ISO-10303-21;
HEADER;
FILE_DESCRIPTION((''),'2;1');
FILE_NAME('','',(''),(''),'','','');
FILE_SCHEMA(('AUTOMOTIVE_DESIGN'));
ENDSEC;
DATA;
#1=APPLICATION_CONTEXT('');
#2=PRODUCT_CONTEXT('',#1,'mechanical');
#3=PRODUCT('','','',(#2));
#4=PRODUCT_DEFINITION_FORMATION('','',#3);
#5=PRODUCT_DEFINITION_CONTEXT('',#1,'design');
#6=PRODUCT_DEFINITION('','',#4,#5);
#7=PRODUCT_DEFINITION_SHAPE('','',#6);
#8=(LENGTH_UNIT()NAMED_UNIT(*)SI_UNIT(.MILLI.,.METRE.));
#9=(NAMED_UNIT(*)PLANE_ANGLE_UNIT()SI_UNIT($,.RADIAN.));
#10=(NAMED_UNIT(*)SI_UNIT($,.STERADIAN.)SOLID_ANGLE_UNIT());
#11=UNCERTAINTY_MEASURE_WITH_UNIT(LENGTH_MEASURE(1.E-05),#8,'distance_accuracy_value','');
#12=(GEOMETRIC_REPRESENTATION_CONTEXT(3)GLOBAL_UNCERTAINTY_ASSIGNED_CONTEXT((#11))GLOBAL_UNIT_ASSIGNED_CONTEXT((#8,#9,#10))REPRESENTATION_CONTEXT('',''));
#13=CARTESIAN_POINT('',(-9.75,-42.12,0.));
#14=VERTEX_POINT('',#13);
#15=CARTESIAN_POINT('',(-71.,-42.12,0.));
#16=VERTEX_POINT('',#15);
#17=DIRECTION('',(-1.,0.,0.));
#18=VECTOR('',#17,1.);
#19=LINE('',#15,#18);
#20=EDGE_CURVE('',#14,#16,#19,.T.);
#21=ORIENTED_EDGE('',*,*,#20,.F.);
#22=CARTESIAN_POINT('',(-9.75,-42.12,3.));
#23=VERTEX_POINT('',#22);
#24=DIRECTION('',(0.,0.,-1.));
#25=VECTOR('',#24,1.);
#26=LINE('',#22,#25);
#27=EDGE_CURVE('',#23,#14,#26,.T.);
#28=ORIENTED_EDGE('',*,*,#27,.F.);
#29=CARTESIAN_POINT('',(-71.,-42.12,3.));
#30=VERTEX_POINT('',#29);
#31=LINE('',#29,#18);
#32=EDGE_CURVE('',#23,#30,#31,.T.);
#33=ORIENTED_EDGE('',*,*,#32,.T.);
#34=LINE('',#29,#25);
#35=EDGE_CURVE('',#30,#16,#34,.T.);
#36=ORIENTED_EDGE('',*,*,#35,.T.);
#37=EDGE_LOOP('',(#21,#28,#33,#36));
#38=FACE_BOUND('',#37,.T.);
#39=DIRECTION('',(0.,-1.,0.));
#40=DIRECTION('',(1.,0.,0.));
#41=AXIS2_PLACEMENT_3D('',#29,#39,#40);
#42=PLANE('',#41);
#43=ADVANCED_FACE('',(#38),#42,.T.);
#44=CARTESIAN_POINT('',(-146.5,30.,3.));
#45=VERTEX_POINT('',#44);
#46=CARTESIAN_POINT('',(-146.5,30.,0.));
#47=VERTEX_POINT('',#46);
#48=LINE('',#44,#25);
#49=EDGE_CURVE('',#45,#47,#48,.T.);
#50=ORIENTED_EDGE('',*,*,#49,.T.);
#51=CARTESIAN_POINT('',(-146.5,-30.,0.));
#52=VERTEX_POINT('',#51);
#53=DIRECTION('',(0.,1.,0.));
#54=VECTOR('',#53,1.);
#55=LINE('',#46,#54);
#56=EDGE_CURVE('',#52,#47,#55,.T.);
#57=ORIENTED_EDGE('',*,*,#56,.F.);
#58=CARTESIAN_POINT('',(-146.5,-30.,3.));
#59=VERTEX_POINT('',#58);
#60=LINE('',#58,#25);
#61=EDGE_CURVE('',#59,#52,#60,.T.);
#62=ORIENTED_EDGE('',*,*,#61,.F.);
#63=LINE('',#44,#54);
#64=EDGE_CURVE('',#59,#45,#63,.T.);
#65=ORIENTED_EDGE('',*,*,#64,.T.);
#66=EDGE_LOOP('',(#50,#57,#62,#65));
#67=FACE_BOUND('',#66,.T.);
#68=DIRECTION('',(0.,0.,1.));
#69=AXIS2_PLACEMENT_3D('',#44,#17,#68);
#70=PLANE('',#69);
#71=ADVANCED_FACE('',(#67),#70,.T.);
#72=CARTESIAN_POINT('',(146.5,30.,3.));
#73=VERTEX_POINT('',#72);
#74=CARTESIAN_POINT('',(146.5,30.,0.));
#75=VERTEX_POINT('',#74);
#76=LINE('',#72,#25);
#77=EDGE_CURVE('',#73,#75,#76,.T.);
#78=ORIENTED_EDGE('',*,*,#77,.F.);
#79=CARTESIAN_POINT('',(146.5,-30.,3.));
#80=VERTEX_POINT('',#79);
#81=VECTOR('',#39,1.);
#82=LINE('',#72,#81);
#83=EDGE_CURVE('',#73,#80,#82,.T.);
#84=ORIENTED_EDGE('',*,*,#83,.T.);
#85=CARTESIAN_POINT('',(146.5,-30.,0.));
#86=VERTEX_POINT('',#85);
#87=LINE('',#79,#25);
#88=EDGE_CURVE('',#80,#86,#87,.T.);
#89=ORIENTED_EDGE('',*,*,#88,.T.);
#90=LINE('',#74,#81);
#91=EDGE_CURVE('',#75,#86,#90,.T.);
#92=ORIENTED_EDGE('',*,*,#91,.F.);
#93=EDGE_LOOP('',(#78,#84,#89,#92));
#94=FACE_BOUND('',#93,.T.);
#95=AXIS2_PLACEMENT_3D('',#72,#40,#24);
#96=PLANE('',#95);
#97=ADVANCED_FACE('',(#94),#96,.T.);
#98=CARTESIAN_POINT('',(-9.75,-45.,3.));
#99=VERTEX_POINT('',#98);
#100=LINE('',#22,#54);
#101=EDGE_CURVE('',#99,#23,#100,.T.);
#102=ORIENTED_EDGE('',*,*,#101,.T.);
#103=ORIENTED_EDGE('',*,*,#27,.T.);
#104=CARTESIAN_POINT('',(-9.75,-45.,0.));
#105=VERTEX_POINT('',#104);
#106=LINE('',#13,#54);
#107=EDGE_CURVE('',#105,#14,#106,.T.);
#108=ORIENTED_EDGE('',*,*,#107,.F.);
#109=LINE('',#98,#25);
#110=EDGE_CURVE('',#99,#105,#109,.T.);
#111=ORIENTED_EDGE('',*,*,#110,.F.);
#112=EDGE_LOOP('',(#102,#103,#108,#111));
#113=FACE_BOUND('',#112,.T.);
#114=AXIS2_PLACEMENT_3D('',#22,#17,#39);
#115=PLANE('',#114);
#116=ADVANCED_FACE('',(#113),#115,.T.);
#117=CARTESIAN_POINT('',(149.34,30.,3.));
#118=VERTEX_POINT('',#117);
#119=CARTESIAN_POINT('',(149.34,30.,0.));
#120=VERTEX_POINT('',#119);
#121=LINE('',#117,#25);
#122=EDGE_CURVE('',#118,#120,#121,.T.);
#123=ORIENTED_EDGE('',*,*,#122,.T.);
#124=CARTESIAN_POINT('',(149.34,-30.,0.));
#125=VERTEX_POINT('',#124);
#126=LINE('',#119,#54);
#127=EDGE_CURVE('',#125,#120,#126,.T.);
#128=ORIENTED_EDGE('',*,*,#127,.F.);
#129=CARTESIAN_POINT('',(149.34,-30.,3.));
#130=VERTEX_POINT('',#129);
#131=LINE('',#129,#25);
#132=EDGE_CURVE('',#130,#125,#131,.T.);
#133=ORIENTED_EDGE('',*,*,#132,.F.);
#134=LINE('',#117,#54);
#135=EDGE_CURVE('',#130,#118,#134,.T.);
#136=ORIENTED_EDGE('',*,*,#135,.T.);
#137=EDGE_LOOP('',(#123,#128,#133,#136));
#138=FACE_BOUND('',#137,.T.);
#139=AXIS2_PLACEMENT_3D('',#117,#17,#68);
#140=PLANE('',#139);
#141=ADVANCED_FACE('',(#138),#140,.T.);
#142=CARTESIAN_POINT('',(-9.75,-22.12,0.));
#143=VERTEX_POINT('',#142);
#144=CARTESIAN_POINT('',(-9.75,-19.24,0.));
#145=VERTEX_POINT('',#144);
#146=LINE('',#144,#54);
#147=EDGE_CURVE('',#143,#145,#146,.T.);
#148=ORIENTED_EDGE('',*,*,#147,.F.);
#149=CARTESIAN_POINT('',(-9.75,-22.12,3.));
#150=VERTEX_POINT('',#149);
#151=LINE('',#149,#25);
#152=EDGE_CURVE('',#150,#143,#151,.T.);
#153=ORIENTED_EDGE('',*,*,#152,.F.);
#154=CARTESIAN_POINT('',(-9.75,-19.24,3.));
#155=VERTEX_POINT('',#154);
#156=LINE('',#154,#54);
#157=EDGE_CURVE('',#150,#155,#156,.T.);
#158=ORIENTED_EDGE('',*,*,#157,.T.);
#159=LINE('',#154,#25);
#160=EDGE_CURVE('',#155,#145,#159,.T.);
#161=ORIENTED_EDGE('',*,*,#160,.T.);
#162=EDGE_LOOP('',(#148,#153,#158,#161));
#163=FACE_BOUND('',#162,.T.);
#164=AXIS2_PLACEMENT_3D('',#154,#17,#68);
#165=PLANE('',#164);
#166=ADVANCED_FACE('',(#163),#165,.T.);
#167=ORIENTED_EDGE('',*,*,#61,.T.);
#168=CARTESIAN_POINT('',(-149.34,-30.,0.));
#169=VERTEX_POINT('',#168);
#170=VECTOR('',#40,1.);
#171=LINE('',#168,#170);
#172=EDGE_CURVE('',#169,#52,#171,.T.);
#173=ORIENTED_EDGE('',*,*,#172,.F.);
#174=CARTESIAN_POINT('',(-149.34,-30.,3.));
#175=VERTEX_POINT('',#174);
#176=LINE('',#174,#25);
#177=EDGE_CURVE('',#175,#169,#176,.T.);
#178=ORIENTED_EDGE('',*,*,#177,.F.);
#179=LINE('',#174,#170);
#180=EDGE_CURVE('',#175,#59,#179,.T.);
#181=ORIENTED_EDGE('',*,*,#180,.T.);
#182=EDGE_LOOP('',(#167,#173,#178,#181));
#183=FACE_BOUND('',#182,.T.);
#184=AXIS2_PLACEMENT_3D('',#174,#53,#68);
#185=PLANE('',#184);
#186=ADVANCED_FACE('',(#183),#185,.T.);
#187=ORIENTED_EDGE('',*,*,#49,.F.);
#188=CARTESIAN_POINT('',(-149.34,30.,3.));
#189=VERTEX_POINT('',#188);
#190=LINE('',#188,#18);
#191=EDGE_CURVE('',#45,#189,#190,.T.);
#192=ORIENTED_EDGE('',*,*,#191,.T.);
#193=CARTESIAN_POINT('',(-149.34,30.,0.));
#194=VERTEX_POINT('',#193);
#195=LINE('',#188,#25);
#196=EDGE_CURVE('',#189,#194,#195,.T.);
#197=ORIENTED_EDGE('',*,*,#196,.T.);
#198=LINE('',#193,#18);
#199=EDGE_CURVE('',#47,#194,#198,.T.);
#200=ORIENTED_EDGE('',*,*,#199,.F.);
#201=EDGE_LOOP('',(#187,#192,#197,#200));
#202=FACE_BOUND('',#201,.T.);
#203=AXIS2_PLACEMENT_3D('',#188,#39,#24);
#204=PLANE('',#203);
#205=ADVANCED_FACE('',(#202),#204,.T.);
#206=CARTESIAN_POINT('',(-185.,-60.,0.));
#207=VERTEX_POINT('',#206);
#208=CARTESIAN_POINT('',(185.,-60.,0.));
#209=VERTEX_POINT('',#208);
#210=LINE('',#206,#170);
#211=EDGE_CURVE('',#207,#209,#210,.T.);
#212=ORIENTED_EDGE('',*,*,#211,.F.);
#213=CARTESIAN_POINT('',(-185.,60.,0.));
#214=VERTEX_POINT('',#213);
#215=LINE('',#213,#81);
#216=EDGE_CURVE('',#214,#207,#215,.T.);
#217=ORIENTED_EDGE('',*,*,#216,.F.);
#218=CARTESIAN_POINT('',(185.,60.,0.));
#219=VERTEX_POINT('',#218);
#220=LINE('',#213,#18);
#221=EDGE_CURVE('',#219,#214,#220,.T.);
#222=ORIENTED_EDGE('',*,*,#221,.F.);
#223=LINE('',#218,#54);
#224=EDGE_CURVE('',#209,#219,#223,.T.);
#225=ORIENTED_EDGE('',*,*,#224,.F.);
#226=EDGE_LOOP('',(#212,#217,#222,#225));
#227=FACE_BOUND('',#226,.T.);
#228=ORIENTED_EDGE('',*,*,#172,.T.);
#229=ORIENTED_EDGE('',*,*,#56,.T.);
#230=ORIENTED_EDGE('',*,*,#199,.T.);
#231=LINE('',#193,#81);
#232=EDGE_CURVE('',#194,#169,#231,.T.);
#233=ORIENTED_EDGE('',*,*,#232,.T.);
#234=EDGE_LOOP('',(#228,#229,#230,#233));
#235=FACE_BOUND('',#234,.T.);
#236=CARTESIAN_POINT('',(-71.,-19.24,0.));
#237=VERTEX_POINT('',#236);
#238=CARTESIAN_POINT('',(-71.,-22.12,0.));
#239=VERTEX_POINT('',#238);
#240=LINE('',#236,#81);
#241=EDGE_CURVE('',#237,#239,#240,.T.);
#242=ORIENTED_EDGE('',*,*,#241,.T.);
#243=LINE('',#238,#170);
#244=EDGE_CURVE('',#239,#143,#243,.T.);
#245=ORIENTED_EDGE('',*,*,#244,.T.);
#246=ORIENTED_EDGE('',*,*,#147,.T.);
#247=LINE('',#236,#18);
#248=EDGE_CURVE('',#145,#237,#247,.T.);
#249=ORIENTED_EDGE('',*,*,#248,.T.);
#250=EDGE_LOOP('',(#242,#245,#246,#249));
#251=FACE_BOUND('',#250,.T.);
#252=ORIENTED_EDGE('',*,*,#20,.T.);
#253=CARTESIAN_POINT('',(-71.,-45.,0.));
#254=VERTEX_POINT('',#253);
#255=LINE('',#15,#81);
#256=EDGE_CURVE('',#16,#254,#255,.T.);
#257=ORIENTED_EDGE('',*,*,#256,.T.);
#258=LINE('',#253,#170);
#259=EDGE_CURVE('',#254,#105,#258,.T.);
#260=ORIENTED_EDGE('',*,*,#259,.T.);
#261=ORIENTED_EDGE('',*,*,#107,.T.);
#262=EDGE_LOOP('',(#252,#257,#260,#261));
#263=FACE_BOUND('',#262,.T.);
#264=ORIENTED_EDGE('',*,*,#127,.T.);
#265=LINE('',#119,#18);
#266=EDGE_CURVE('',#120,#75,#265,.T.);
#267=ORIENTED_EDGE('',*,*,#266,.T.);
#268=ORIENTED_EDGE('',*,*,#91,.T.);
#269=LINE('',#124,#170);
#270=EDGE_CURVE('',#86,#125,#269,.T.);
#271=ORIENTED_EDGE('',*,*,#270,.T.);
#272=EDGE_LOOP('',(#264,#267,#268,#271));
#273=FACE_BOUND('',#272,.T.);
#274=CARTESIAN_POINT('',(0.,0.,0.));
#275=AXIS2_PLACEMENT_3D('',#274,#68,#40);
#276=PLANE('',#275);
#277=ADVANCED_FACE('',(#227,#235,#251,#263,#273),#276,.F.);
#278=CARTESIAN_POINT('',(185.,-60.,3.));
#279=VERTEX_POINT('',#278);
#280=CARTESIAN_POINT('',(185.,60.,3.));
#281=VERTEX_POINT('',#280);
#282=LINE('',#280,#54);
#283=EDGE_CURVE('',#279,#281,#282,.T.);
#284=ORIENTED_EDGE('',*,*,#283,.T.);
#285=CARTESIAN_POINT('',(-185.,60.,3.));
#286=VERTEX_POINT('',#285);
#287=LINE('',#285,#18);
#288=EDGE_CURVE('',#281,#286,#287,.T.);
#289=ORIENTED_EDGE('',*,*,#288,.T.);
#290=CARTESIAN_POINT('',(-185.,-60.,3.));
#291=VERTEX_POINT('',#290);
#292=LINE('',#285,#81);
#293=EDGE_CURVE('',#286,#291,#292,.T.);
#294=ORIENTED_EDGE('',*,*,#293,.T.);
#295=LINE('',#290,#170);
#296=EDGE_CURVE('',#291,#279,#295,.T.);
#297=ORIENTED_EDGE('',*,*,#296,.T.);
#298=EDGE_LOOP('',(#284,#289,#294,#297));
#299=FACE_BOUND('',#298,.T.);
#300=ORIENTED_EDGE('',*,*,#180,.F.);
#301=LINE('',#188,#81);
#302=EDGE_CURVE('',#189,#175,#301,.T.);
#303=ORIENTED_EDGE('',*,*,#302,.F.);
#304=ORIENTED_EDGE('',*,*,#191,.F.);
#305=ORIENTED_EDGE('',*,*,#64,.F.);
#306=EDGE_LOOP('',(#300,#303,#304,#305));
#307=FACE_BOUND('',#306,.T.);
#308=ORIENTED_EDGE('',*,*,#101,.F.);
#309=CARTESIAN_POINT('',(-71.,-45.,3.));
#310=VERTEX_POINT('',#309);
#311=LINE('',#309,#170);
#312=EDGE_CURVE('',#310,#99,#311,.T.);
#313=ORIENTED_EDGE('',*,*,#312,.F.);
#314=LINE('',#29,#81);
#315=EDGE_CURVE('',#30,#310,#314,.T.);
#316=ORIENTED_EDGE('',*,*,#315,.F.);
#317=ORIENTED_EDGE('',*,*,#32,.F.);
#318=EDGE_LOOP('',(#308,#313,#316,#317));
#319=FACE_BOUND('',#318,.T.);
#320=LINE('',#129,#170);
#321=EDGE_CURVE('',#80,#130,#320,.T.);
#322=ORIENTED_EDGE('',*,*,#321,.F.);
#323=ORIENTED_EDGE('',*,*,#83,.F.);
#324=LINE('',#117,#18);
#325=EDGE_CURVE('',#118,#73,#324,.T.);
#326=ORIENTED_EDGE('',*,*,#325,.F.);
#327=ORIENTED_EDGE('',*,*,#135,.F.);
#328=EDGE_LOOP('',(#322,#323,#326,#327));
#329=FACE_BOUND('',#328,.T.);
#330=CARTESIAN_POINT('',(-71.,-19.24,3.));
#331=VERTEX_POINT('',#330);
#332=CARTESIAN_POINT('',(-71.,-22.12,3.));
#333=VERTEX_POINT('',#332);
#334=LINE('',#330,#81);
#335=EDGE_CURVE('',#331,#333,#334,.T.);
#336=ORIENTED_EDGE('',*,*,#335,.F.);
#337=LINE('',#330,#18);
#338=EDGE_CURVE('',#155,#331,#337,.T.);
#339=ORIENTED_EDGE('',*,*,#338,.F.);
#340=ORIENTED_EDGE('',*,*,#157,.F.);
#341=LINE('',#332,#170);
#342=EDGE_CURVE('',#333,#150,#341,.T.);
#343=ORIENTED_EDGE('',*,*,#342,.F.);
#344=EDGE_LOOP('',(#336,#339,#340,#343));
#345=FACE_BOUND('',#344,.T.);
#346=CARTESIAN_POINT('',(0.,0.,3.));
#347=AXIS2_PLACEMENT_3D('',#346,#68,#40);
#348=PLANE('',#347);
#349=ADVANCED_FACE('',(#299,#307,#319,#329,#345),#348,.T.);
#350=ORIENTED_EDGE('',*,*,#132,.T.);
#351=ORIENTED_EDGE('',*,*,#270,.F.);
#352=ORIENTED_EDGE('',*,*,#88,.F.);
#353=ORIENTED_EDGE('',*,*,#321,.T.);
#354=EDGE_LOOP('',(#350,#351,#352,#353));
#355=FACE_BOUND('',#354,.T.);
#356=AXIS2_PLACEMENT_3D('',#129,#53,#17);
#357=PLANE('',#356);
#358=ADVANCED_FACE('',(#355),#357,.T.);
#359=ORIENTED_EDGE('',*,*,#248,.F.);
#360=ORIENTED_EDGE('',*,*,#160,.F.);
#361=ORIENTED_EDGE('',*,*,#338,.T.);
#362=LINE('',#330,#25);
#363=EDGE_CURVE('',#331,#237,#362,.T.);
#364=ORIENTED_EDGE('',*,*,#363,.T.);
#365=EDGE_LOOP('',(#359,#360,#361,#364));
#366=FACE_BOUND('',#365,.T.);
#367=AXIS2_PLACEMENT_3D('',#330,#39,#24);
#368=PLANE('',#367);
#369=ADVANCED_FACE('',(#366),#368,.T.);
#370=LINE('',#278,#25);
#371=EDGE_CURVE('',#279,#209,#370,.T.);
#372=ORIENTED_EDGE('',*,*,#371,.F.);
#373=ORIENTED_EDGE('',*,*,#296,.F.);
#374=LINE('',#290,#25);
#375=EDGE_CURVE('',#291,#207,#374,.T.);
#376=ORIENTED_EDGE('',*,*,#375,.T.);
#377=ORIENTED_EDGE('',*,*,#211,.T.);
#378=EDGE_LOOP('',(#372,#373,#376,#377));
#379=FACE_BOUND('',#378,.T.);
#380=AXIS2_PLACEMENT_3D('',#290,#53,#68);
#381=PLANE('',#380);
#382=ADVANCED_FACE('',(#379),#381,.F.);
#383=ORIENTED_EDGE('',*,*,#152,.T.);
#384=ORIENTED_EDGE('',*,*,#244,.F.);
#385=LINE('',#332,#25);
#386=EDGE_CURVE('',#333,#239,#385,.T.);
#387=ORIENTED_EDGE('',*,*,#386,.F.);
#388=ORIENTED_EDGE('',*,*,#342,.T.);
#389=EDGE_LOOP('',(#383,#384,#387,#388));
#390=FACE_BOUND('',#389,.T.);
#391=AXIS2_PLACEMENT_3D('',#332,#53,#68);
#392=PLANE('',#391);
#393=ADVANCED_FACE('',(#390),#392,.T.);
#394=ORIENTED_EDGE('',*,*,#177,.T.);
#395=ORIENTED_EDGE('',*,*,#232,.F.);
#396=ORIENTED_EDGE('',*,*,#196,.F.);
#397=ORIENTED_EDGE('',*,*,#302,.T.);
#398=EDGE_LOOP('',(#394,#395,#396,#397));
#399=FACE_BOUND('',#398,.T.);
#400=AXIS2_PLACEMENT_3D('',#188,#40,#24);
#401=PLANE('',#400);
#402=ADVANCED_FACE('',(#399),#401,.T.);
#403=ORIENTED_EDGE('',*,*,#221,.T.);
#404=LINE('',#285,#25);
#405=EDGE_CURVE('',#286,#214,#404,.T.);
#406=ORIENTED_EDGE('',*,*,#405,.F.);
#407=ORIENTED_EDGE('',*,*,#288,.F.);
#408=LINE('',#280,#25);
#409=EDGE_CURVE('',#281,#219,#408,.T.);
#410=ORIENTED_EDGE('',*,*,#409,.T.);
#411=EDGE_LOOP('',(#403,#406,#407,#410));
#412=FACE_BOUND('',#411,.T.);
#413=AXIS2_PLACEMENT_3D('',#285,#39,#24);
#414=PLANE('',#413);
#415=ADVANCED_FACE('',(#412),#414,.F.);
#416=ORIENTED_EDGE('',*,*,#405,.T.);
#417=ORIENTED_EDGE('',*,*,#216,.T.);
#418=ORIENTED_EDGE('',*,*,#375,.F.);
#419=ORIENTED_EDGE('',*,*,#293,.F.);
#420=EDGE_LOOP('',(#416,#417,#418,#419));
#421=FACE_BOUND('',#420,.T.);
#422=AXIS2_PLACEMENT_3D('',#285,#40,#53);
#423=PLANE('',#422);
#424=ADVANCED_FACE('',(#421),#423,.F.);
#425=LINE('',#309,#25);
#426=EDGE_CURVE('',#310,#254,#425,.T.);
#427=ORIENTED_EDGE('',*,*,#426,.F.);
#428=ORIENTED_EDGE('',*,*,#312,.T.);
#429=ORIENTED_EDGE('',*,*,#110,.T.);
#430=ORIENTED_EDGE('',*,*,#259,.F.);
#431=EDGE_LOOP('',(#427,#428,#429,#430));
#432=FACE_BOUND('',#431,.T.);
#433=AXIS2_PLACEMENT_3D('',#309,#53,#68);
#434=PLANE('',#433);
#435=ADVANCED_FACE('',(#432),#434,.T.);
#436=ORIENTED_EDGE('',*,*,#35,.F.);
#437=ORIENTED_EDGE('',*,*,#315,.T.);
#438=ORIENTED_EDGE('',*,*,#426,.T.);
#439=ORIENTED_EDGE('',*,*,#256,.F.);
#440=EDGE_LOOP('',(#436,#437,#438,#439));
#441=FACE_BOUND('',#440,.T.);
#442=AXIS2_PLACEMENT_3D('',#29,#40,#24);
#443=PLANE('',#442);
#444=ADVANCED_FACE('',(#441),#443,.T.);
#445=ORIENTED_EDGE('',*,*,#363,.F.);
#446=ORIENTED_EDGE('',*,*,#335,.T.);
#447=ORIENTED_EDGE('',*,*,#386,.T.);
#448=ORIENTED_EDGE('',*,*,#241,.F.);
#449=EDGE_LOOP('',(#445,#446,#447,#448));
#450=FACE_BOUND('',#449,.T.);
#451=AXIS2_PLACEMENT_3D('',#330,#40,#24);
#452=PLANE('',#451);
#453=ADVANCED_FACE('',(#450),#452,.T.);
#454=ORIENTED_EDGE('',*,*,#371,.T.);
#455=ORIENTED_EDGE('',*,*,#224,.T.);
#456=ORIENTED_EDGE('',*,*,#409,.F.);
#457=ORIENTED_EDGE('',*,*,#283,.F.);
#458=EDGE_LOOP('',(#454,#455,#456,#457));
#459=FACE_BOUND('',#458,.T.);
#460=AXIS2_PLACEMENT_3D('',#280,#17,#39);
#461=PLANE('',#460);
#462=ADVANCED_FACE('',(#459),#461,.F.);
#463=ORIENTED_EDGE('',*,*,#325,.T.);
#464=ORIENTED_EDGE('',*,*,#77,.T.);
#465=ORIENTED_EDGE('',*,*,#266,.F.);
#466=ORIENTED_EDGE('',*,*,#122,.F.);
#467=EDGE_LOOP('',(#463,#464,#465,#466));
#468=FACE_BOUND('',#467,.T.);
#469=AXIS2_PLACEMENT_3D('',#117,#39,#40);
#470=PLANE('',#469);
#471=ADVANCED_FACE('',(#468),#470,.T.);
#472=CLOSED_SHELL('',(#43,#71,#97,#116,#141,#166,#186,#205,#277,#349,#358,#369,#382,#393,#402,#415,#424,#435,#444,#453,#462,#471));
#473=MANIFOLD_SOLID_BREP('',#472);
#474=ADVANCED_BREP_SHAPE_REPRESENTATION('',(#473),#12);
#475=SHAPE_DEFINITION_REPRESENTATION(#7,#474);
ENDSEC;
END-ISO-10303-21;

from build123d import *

# Parameters (mm, degrees)
SKETCH2_W           = 370
SKETCH2_H           = 120
SKETCH2_W_2         = 2.84
SKETCH2_H_2         = 60
SKETCH2_W_3         = 61.25
SKETCH2_H_3         = 2.88
BOSS_EXTRUDE1_DEPTH = 3


with BuildPart() as part:
    # Sketch2 → Boss-Extrude1 (new body)
    with BuildSketch(Plane.XY):
        Rectangle(SKETCH2_W, SKETCH2_H)
        with Locations((-147.92, 0)):
            Rectangle(SKETCH2_W_2, SKETCH2_H_2, mode=Mode.SUBTRACT)
        with Locations((147.92, 0)):
            Rectangle(SKETCH2_W_2, SKETCH2_H_2, mode=Mode.SUBTRACT)
        with Locations((-40.375, -43.56)):
            Rectangle(SKETCH2_W_3, SKETCH2_H_3, mode=Mode.SUBTRACT)
        with Locations((-40.375, -20.68)):
            Rectangle(SKETCH2_W_3, SKETCH2_H_3, mode=Mode.SUBTRACT)
    extrude(amount=BOSS_EXTRUDE1_DEPTH)


solid = part.part
